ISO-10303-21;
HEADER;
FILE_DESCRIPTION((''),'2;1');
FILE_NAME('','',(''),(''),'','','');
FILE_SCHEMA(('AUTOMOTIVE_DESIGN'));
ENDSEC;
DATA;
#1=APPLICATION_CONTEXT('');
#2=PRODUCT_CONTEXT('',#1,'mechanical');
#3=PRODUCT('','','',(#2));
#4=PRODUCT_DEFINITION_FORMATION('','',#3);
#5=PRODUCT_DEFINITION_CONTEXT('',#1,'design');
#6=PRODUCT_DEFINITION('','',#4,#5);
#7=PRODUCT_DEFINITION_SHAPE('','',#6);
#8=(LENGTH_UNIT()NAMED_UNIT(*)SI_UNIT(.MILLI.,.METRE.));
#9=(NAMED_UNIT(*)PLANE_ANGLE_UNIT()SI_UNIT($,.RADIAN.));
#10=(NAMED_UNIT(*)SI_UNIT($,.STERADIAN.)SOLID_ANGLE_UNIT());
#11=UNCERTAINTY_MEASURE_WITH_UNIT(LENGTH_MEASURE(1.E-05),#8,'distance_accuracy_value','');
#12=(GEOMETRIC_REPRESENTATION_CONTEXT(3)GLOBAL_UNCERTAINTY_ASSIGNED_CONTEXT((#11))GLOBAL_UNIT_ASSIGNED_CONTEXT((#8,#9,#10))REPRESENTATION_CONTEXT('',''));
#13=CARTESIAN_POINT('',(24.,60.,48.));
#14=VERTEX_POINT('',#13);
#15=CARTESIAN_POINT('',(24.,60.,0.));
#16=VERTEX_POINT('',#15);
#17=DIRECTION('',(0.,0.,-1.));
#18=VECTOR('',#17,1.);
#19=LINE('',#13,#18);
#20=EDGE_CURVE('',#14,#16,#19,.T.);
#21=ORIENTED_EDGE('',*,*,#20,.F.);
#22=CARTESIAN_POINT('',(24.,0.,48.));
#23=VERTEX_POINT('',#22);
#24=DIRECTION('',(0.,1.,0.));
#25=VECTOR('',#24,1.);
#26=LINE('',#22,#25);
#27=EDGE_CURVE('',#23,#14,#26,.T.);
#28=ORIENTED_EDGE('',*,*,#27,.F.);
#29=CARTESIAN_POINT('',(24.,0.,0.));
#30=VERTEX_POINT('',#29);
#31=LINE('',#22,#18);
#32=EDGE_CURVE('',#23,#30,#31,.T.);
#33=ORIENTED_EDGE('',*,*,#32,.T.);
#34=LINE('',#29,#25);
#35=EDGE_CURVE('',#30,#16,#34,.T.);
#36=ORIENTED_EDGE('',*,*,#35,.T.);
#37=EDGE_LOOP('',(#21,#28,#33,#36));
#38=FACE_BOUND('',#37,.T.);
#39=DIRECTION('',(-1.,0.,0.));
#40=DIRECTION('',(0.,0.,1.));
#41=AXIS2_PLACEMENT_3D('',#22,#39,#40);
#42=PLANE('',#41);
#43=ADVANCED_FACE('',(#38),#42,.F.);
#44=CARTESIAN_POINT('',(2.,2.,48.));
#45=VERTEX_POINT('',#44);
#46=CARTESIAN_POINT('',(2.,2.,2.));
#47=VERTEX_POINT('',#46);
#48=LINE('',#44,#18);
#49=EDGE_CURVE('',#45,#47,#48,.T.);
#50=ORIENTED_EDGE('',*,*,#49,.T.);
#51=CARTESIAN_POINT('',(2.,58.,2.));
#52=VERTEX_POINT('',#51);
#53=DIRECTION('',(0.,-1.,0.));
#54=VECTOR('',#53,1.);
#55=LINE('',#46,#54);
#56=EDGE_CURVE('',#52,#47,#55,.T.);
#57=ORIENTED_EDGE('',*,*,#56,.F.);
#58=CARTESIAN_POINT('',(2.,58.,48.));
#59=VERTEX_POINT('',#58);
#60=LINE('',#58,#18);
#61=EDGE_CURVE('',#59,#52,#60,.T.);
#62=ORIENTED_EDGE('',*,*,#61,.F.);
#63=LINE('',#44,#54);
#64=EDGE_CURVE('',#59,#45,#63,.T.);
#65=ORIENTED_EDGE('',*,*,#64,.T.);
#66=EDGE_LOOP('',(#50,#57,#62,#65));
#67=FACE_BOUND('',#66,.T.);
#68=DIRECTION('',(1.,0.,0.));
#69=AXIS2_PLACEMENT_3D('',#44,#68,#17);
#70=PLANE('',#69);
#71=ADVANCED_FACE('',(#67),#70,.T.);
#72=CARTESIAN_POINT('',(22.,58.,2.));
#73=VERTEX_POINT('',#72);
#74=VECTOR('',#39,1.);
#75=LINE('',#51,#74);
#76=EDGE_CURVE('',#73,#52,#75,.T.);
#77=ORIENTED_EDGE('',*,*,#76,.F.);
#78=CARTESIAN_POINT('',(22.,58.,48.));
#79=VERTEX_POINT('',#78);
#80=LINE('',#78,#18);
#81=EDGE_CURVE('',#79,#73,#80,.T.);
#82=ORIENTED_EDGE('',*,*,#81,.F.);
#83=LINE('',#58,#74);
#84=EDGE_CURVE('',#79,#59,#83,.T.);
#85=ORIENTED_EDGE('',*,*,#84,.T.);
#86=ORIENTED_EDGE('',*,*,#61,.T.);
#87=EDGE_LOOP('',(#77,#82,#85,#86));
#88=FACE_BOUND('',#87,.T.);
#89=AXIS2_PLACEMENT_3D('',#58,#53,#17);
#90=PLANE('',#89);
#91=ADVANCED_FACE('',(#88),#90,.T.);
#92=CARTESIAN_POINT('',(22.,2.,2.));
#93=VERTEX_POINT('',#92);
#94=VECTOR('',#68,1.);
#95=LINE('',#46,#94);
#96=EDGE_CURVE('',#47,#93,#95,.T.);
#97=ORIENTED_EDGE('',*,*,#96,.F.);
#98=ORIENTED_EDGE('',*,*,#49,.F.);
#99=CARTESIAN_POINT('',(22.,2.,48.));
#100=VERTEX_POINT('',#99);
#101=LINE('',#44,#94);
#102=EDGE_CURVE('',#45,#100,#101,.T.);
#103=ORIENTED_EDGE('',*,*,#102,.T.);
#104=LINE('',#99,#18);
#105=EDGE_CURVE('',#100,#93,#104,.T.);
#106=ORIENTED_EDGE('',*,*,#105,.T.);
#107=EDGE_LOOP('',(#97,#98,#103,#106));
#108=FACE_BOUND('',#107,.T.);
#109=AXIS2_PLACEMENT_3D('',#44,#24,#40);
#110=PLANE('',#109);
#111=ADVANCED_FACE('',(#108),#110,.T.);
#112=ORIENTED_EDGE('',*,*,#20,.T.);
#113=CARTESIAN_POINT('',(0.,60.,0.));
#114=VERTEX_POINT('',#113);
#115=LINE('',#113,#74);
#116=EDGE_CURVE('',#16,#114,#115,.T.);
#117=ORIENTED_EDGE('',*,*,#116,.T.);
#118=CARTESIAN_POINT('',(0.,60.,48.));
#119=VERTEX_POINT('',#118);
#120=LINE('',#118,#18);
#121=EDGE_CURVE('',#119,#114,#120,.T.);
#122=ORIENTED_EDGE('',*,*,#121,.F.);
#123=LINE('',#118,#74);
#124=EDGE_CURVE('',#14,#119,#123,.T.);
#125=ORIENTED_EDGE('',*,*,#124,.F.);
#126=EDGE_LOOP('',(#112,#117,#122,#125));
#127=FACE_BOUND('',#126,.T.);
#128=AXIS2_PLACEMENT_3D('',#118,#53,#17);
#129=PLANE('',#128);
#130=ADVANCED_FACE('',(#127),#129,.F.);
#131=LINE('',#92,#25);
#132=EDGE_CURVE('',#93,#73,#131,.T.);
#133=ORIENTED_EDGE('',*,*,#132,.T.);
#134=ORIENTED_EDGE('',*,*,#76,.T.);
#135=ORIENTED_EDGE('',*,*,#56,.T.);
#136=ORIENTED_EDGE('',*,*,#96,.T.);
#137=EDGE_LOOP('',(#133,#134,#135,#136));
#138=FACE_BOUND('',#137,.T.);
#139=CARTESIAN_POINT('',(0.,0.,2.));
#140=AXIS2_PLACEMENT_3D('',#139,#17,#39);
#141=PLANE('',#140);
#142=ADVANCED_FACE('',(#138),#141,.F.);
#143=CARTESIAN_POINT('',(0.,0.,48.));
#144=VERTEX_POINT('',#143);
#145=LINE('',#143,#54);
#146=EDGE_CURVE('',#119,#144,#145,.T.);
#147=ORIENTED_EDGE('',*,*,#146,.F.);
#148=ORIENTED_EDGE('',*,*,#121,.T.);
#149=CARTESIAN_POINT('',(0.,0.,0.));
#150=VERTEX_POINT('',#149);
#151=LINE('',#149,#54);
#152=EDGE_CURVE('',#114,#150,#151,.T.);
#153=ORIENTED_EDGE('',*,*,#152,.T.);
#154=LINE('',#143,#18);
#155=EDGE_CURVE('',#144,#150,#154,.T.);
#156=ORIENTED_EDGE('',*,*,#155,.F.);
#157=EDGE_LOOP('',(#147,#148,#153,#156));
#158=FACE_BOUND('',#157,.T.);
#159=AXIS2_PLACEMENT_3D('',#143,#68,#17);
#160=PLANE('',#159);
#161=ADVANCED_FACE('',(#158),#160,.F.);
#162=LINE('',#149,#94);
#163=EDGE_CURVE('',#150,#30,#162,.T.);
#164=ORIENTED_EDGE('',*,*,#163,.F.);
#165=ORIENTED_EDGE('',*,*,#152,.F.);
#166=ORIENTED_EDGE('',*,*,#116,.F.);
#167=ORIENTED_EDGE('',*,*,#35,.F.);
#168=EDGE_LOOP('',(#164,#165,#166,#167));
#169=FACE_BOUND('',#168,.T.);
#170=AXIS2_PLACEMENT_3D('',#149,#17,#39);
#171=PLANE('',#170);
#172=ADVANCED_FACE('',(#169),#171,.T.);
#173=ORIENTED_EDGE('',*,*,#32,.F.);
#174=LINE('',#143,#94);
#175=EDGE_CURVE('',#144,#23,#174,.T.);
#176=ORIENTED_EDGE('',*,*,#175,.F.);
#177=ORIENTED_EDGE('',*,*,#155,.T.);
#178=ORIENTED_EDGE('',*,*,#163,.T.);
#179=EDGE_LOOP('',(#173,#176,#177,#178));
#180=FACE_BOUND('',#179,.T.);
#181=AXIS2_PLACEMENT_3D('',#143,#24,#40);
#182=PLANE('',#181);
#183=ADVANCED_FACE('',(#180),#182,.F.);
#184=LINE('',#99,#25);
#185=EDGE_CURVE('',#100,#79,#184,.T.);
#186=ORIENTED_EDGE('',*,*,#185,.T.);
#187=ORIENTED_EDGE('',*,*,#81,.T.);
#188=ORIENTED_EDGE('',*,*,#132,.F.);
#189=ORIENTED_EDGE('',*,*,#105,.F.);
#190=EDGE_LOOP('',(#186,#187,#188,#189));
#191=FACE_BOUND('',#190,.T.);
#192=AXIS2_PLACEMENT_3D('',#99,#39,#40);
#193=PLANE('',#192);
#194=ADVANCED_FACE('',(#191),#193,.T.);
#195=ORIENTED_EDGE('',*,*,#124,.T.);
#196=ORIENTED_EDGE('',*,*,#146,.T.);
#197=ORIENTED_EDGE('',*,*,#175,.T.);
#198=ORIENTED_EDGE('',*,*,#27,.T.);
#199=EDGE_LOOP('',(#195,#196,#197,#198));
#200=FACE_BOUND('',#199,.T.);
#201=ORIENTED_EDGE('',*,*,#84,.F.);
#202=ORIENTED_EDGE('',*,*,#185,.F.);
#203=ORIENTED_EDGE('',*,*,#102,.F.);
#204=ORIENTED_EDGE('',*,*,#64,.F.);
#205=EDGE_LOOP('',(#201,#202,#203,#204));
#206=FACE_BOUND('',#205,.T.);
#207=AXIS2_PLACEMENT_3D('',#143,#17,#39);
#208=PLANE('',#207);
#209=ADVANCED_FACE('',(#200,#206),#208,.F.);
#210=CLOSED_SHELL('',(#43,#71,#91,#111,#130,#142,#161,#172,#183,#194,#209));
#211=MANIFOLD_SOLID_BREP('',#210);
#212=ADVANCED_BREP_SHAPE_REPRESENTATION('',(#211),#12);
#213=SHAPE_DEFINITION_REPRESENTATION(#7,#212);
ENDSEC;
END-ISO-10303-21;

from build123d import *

# Parameters (mm, degrees)
SKETCH1_W     = 24
SKETCH1_H     = 60
SKETCH1_W_2   = 20
SKETCH1_H_2   = 56
PROFILE_DEPTH = 48
SKETCH2_W     = 20
SKETCH2_H     = 56
BACK_DEPTH    = 2


with BuildPart() as part:
    # Sketch1 → Profile (new body)
    with BuildSketch(Plane.XY):
        with Locations((12, 30)):
            Rectangle(SKETCH1_W, SKETCH1_H)
        with Locations((12, 30)):
            Rectangle(SKETCH1_W_2, SKETCH1_H_2, mode=Mode.SUBTRACT)
    extrude(amount=PROFILE_DEPTH)

    # Sketch2 → Back (add)
    with BuildSketch(Plane.XY):
        with Locations((12, 30)):
            Rectangle(SKETCH2_W, SKETCH2_H)
    extrude(amount=BACK_DEPTH)


solid = part.part
